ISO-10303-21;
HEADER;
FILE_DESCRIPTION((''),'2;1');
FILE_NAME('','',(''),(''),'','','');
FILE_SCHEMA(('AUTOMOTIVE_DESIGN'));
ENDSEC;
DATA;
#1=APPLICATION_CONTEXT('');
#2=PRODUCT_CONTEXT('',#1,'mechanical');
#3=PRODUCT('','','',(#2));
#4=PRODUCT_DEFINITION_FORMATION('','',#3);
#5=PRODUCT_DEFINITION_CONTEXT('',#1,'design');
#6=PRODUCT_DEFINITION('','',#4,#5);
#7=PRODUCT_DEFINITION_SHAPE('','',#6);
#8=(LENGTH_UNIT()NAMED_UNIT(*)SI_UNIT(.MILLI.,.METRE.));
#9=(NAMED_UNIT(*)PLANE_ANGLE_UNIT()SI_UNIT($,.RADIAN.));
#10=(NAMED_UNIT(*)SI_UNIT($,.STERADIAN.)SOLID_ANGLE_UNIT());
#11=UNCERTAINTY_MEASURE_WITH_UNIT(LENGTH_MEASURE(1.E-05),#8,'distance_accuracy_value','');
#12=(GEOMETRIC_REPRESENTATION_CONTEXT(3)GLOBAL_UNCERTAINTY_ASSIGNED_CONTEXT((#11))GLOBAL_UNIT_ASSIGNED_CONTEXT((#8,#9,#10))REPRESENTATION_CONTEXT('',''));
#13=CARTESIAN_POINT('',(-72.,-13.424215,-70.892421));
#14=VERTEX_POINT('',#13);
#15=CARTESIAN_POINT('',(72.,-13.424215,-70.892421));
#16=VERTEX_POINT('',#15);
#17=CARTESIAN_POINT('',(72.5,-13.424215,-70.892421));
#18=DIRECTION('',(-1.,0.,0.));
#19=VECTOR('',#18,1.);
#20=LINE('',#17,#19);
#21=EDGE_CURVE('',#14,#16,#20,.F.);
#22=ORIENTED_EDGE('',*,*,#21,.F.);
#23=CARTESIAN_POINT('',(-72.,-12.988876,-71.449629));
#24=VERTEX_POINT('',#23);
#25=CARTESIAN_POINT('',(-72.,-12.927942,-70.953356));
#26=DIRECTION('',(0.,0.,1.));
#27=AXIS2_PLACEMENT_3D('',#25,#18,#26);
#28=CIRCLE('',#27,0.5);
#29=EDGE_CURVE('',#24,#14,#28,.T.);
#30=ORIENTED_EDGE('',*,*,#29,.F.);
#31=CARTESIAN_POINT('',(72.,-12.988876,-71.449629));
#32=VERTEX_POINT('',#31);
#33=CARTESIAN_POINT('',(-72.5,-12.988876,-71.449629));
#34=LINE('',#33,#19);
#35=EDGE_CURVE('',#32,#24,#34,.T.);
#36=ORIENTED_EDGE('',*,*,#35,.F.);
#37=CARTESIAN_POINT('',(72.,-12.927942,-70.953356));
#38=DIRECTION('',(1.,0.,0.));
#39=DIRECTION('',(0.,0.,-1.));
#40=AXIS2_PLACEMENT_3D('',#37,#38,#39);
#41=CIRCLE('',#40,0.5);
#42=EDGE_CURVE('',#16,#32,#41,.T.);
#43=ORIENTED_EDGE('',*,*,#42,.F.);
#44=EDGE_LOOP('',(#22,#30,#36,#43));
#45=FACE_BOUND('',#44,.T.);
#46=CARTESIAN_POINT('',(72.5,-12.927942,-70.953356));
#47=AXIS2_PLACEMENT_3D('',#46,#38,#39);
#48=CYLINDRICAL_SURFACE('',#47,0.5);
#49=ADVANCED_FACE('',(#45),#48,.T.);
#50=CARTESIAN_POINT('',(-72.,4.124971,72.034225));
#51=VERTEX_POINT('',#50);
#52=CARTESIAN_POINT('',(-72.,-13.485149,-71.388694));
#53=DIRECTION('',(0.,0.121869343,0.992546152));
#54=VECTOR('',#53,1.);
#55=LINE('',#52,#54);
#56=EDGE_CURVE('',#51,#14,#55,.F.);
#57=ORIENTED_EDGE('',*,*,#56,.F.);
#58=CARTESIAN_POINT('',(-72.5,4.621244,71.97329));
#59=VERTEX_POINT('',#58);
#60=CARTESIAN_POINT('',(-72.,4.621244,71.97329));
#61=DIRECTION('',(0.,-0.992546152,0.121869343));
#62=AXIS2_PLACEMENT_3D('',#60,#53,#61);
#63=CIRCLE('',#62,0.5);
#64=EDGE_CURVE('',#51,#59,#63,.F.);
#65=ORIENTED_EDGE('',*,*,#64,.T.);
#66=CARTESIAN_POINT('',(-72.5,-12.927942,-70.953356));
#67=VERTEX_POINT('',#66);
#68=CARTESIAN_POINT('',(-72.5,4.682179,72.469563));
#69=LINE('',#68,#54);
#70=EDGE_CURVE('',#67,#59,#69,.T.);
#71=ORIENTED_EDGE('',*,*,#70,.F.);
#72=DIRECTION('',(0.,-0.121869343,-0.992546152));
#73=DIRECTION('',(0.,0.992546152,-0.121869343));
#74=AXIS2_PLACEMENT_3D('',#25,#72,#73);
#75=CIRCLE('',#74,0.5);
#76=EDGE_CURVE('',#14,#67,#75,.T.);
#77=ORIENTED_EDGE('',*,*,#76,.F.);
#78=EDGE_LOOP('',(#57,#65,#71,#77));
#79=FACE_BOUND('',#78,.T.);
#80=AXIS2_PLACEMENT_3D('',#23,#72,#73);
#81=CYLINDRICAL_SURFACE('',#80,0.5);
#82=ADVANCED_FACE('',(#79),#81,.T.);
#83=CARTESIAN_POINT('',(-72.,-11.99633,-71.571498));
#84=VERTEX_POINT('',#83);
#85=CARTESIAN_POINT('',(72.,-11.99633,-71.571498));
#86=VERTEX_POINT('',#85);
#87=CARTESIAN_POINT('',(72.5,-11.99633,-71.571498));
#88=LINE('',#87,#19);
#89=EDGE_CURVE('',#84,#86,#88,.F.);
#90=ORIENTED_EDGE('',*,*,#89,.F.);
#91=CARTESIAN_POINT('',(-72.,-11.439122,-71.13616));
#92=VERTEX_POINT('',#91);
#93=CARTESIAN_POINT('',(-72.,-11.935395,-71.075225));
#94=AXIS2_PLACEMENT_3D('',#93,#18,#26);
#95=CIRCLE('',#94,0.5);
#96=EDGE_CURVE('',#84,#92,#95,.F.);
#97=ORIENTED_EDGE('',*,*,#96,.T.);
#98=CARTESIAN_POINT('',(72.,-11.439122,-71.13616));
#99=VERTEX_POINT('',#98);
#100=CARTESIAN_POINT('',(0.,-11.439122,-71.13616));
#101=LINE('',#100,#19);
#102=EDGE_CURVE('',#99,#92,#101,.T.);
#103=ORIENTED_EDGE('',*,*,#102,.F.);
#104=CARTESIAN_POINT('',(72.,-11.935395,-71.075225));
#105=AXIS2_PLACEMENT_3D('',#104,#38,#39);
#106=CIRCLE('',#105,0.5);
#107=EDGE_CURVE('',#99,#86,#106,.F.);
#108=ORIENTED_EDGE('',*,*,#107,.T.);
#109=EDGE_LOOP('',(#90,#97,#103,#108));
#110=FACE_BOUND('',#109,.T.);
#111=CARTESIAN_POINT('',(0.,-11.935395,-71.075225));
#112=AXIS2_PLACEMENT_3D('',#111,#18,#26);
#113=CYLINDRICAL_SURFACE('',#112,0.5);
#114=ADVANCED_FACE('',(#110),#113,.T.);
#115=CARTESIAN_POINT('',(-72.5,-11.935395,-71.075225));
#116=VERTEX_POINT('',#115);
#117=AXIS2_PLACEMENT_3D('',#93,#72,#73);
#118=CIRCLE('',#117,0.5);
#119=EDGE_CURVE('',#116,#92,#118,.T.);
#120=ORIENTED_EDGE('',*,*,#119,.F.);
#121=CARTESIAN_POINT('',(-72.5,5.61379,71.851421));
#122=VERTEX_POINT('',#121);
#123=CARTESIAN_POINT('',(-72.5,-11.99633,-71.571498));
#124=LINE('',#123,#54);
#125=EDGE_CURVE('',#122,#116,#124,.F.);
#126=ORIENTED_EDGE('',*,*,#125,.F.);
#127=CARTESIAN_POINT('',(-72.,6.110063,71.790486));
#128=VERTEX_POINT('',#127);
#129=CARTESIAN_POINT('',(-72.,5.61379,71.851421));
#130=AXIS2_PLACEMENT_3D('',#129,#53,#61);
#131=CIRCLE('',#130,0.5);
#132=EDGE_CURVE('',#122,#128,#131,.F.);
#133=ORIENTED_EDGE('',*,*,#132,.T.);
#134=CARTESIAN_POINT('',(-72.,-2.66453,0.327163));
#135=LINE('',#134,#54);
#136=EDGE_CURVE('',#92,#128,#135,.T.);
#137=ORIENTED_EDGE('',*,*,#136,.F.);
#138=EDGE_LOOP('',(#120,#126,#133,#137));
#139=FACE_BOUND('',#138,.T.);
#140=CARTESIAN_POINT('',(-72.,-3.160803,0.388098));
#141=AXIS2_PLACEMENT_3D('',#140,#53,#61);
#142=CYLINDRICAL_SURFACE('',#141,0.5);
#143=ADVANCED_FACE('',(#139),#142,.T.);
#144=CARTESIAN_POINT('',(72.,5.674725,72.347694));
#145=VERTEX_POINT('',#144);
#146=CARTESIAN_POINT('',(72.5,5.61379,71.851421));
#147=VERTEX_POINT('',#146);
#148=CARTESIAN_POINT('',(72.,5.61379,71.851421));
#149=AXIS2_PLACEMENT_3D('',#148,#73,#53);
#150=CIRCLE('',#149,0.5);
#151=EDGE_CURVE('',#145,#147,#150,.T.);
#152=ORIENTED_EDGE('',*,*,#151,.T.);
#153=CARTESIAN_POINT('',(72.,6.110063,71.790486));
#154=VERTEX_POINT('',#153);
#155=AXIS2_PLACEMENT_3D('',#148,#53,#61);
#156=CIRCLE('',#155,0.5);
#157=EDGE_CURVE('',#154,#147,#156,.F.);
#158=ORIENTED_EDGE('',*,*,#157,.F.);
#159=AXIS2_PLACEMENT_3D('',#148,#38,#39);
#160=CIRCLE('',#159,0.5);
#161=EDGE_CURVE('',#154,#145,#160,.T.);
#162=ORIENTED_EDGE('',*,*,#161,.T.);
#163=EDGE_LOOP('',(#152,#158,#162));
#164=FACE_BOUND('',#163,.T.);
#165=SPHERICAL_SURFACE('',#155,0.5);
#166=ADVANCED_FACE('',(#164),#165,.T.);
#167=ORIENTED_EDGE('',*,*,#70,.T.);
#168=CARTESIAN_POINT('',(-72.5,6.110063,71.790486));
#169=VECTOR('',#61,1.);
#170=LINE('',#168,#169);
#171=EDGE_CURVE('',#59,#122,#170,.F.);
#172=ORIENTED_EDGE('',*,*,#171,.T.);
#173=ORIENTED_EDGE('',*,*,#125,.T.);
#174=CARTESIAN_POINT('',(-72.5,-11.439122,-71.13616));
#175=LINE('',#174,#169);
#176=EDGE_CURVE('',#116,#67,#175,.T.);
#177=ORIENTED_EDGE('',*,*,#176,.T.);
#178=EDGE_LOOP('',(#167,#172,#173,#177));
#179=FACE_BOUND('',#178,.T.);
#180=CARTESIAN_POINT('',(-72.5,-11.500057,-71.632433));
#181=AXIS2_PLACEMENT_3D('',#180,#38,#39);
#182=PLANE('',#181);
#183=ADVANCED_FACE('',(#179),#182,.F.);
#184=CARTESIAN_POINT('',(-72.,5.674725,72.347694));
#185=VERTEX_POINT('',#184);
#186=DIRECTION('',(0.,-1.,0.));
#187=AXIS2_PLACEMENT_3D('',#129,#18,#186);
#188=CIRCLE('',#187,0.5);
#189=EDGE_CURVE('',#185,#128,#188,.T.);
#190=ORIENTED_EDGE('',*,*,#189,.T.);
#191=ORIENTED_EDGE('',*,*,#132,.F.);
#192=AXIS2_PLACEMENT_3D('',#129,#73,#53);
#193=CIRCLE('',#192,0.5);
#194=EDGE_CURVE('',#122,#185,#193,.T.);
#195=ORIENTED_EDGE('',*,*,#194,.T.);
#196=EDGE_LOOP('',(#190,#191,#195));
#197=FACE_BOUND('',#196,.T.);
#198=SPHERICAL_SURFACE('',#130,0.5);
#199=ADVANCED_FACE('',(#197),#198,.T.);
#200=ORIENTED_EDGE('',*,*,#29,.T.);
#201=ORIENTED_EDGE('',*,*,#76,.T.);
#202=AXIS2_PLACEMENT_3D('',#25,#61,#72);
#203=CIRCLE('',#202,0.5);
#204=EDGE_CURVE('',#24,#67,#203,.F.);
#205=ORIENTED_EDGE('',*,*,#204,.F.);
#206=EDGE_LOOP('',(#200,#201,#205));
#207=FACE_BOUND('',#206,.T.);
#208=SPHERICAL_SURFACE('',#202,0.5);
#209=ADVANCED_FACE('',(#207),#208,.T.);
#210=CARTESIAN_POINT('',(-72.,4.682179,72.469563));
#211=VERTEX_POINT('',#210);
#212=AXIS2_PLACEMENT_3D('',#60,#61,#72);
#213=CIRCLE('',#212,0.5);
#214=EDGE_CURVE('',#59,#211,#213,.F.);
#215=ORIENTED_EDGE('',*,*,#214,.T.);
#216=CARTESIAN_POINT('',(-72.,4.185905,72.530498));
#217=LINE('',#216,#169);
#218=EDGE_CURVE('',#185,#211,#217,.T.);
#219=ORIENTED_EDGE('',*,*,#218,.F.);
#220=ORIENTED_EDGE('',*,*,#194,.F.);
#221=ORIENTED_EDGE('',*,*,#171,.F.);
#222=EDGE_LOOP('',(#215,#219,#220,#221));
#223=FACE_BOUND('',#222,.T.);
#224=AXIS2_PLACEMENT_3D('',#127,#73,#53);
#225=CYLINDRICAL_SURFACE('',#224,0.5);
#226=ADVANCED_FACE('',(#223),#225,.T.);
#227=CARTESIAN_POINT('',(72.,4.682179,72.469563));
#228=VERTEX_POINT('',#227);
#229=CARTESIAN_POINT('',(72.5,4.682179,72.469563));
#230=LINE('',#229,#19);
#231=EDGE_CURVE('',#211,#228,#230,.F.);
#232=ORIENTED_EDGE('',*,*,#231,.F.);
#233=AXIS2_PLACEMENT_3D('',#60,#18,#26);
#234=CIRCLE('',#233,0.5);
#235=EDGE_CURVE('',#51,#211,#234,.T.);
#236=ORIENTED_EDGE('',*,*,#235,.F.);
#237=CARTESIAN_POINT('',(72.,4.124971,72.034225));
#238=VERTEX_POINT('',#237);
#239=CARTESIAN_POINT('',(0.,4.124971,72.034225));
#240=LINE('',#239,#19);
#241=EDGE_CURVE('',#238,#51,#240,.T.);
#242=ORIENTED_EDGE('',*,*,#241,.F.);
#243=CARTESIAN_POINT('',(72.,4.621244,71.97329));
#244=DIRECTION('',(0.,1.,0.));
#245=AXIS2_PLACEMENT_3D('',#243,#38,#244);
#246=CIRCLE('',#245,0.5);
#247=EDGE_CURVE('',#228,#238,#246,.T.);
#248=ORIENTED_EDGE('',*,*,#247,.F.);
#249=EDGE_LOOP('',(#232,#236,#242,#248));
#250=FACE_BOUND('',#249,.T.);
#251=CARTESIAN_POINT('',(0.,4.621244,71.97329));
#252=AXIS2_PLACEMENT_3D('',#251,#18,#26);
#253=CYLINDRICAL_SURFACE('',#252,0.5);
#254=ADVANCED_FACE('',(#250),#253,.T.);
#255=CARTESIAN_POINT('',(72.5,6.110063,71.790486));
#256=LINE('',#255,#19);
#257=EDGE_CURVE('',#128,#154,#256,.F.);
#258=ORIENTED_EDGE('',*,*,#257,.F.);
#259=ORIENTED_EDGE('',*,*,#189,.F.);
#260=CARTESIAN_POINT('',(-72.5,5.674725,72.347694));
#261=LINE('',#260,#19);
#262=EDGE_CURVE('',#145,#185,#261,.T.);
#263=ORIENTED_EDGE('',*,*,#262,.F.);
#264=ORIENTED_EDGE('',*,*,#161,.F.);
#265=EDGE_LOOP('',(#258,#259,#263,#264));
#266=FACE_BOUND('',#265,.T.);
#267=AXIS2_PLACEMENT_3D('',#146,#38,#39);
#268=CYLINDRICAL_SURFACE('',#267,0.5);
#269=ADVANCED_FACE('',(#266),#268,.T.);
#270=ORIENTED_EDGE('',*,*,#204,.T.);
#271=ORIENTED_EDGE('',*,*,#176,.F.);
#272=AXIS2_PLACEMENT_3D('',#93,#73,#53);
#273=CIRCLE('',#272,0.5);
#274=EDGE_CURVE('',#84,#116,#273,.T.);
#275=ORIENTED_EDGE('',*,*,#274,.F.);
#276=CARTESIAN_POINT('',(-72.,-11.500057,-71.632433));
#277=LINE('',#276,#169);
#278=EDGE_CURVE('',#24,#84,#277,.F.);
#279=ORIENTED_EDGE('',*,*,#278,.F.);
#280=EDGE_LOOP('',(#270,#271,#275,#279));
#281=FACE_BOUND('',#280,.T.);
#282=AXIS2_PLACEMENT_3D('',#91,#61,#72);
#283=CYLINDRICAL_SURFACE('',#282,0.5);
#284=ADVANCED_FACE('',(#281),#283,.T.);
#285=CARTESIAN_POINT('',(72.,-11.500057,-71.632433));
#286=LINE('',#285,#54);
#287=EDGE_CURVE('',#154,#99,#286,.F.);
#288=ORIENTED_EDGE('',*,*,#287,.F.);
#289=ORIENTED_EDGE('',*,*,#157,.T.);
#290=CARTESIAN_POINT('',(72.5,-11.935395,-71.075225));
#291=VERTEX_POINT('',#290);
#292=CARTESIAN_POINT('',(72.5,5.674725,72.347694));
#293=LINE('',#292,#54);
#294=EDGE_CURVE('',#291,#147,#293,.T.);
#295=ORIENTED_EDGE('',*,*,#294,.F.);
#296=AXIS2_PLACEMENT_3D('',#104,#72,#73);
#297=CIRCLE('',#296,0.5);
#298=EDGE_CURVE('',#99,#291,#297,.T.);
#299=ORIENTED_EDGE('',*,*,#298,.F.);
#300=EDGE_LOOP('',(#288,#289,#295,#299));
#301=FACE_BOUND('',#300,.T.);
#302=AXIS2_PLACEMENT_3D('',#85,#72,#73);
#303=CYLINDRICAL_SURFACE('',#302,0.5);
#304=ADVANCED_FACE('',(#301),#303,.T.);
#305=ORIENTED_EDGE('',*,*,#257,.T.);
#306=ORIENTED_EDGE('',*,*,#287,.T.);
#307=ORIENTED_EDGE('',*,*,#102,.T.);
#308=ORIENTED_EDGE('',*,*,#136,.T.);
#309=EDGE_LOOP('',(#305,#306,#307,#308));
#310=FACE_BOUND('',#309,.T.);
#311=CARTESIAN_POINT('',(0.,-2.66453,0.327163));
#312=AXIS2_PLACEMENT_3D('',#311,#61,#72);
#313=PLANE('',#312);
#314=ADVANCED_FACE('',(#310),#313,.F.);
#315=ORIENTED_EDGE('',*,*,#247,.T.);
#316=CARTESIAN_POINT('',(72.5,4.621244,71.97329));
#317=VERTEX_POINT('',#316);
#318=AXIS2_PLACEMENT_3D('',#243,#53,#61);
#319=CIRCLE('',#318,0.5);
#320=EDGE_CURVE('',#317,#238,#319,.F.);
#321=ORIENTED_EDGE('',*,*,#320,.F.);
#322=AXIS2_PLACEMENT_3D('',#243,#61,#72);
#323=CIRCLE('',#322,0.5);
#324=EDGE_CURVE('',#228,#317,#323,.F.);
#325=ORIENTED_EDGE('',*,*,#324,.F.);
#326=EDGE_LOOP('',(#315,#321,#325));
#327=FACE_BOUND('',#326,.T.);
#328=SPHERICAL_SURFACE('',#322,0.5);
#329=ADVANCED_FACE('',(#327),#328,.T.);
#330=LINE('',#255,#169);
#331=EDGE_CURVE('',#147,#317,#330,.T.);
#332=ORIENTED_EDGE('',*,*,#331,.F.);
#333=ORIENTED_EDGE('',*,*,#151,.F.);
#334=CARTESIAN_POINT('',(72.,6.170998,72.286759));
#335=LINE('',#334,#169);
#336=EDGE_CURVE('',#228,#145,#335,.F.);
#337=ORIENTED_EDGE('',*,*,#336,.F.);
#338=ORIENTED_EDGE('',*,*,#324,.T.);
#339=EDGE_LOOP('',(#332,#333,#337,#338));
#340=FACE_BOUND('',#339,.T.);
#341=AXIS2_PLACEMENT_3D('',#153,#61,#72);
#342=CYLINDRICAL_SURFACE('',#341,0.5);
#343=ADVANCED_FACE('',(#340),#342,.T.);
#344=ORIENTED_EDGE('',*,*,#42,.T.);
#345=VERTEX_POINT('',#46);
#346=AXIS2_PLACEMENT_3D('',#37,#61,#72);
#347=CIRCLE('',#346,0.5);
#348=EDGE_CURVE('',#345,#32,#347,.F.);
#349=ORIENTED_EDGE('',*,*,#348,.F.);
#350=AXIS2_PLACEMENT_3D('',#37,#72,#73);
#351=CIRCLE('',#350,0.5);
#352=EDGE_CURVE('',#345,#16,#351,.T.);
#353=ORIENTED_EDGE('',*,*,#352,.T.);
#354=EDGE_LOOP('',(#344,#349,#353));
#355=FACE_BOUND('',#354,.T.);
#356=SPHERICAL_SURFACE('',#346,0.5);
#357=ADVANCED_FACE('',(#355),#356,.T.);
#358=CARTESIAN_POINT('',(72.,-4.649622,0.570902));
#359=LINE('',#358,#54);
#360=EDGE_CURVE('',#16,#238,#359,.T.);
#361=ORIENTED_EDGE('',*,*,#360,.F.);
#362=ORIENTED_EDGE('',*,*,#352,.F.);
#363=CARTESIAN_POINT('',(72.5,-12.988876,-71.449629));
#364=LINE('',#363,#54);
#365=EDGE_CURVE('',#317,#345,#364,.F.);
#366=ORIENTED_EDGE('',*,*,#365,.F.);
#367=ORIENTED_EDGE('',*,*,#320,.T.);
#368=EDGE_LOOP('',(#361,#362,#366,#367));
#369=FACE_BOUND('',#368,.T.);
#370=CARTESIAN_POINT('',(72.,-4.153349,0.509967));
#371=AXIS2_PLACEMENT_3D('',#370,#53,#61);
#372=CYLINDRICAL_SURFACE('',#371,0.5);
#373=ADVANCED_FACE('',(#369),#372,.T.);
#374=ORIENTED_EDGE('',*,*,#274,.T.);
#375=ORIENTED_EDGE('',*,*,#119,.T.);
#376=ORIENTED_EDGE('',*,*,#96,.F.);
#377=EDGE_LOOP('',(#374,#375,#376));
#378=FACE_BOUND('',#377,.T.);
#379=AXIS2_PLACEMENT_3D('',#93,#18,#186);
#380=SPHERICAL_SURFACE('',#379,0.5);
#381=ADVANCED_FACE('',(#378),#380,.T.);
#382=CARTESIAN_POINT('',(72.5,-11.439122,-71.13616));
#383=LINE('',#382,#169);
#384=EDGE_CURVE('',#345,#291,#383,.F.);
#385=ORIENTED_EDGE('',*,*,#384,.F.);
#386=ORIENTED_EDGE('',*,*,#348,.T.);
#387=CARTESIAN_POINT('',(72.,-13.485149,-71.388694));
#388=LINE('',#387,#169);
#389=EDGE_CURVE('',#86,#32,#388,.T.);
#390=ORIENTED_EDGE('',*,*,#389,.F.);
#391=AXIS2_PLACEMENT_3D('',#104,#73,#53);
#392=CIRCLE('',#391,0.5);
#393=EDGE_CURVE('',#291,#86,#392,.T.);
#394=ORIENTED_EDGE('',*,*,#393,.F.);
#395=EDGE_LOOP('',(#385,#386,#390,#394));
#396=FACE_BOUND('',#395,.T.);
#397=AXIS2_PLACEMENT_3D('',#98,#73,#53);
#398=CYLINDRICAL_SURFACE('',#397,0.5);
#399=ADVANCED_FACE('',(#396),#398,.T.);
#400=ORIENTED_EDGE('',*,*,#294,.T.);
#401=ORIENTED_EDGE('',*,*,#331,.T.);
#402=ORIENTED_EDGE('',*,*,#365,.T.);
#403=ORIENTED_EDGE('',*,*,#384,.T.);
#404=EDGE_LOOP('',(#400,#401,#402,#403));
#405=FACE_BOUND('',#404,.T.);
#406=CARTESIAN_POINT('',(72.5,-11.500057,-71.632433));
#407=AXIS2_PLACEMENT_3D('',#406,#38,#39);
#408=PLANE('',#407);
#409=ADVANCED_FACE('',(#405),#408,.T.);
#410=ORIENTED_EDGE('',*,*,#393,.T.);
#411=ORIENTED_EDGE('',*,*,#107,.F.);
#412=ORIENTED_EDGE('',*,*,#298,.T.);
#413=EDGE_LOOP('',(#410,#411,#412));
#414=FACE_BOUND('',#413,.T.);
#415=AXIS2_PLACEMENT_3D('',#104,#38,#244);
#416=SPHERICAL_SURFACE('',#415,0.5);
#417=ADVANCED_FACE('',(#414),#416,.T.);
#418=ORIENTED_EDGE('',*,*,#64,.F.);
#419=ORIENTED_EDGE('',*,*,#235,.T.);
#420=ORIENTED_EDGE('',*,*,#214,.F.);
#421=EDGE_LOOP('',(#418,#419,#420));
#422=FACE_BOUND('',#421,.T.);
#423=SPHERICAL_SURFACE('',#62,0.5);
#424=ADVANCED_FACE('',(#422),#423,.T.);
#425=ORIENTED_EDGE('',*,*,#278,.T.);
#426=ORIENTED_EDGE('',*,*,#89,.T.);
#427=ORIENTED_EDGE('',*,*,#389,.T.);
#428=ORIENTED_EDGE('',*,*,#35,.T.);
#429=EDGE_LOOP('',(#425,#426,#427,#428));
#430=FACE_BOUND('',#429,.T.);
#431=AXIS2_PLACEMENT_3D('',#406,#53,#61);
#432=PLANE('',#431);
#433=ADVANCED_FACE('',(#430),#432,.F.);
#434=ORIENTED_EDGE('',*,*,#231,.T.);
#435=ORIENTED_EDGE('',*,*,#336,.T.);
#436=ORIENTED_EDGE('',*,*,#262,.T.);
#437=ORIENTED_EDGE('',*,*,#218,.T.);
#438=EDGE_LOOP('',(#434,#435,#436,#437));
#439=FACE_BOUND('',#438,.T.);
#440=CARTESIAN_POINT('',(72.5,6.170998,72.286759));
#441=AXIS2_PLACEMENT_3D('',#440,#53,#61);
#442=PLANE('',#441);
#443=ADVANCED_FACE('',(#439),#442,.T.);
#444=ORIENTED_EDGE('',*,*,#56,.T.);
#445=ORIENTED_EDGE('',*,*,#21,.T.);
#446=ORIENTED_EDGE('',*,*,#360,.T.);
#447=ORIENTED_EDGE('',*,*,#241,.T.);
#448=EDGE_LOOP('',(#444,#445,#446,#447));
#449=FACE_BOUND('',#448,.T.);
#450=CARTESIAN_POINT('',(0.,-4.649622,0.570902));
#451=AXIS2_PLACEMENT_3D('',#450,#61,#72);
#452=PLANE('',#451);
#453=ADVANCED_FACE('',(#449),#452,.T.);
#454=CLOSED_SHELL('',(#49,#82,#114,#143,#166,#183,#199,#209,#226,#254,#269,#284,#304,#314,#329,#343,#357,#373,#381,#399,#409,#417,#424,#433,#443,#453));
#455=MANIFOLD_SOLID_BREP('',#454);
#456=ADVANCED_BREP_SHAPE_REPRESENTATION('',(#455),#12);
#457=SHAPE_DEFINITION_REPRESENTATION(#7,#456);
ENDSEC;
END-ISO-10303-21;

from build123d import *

# Parameters (mm, degrees)
SKETCH1_W           = 145
SKETCH1_H           = 145
BOSS_EXTRUDE1_DEPTH = 2
FILLET1_R           = 0.5


with BuildPart() as part:
    # Sketch1 → Boss-Extrude1 (new body)
    with BuildSketch(Plane(origin=(0, -4.649621963, 0.570901791), x_dir=(1, 0, 0), z_dir=(0, 0.992546151641323, -0.12186934340514075))):
        Rectangle(SKETCH1_W, SKETCH1_H)
    extrude(amount=BOSS_EXTRUDE1_DEPTH)

    # Fillet1
    fillet1_edges = [part.edges().sort_by_distance(p)[0] for p in [
        (-72.5, -2.664529659, 0.327163104),
        (0, -11.500057056, -71.63243289),
        (72.5, -2.664529659, 0.327163104),
        (0, -13.48514936, -71.388694203),
        (-72.5, -4.649621963, 0.570901791),
        (0, 4.185905434, 72.530497785),
        (72.5, -4.649621963, 0.570901791),
        (72.5, -12.492603208, -71.510563546),
        (-72.5, -12.492603208, -71.510563546),
        (-72.5, 5.178451586, 72.408628442),
        (72.5, 5.178451586, 72.408628442),
        (0, 6.170997738, 72.286759098),
    ]]
    fillet(fillet1_edges, radius=FILLET1_R)


solid = part.part
